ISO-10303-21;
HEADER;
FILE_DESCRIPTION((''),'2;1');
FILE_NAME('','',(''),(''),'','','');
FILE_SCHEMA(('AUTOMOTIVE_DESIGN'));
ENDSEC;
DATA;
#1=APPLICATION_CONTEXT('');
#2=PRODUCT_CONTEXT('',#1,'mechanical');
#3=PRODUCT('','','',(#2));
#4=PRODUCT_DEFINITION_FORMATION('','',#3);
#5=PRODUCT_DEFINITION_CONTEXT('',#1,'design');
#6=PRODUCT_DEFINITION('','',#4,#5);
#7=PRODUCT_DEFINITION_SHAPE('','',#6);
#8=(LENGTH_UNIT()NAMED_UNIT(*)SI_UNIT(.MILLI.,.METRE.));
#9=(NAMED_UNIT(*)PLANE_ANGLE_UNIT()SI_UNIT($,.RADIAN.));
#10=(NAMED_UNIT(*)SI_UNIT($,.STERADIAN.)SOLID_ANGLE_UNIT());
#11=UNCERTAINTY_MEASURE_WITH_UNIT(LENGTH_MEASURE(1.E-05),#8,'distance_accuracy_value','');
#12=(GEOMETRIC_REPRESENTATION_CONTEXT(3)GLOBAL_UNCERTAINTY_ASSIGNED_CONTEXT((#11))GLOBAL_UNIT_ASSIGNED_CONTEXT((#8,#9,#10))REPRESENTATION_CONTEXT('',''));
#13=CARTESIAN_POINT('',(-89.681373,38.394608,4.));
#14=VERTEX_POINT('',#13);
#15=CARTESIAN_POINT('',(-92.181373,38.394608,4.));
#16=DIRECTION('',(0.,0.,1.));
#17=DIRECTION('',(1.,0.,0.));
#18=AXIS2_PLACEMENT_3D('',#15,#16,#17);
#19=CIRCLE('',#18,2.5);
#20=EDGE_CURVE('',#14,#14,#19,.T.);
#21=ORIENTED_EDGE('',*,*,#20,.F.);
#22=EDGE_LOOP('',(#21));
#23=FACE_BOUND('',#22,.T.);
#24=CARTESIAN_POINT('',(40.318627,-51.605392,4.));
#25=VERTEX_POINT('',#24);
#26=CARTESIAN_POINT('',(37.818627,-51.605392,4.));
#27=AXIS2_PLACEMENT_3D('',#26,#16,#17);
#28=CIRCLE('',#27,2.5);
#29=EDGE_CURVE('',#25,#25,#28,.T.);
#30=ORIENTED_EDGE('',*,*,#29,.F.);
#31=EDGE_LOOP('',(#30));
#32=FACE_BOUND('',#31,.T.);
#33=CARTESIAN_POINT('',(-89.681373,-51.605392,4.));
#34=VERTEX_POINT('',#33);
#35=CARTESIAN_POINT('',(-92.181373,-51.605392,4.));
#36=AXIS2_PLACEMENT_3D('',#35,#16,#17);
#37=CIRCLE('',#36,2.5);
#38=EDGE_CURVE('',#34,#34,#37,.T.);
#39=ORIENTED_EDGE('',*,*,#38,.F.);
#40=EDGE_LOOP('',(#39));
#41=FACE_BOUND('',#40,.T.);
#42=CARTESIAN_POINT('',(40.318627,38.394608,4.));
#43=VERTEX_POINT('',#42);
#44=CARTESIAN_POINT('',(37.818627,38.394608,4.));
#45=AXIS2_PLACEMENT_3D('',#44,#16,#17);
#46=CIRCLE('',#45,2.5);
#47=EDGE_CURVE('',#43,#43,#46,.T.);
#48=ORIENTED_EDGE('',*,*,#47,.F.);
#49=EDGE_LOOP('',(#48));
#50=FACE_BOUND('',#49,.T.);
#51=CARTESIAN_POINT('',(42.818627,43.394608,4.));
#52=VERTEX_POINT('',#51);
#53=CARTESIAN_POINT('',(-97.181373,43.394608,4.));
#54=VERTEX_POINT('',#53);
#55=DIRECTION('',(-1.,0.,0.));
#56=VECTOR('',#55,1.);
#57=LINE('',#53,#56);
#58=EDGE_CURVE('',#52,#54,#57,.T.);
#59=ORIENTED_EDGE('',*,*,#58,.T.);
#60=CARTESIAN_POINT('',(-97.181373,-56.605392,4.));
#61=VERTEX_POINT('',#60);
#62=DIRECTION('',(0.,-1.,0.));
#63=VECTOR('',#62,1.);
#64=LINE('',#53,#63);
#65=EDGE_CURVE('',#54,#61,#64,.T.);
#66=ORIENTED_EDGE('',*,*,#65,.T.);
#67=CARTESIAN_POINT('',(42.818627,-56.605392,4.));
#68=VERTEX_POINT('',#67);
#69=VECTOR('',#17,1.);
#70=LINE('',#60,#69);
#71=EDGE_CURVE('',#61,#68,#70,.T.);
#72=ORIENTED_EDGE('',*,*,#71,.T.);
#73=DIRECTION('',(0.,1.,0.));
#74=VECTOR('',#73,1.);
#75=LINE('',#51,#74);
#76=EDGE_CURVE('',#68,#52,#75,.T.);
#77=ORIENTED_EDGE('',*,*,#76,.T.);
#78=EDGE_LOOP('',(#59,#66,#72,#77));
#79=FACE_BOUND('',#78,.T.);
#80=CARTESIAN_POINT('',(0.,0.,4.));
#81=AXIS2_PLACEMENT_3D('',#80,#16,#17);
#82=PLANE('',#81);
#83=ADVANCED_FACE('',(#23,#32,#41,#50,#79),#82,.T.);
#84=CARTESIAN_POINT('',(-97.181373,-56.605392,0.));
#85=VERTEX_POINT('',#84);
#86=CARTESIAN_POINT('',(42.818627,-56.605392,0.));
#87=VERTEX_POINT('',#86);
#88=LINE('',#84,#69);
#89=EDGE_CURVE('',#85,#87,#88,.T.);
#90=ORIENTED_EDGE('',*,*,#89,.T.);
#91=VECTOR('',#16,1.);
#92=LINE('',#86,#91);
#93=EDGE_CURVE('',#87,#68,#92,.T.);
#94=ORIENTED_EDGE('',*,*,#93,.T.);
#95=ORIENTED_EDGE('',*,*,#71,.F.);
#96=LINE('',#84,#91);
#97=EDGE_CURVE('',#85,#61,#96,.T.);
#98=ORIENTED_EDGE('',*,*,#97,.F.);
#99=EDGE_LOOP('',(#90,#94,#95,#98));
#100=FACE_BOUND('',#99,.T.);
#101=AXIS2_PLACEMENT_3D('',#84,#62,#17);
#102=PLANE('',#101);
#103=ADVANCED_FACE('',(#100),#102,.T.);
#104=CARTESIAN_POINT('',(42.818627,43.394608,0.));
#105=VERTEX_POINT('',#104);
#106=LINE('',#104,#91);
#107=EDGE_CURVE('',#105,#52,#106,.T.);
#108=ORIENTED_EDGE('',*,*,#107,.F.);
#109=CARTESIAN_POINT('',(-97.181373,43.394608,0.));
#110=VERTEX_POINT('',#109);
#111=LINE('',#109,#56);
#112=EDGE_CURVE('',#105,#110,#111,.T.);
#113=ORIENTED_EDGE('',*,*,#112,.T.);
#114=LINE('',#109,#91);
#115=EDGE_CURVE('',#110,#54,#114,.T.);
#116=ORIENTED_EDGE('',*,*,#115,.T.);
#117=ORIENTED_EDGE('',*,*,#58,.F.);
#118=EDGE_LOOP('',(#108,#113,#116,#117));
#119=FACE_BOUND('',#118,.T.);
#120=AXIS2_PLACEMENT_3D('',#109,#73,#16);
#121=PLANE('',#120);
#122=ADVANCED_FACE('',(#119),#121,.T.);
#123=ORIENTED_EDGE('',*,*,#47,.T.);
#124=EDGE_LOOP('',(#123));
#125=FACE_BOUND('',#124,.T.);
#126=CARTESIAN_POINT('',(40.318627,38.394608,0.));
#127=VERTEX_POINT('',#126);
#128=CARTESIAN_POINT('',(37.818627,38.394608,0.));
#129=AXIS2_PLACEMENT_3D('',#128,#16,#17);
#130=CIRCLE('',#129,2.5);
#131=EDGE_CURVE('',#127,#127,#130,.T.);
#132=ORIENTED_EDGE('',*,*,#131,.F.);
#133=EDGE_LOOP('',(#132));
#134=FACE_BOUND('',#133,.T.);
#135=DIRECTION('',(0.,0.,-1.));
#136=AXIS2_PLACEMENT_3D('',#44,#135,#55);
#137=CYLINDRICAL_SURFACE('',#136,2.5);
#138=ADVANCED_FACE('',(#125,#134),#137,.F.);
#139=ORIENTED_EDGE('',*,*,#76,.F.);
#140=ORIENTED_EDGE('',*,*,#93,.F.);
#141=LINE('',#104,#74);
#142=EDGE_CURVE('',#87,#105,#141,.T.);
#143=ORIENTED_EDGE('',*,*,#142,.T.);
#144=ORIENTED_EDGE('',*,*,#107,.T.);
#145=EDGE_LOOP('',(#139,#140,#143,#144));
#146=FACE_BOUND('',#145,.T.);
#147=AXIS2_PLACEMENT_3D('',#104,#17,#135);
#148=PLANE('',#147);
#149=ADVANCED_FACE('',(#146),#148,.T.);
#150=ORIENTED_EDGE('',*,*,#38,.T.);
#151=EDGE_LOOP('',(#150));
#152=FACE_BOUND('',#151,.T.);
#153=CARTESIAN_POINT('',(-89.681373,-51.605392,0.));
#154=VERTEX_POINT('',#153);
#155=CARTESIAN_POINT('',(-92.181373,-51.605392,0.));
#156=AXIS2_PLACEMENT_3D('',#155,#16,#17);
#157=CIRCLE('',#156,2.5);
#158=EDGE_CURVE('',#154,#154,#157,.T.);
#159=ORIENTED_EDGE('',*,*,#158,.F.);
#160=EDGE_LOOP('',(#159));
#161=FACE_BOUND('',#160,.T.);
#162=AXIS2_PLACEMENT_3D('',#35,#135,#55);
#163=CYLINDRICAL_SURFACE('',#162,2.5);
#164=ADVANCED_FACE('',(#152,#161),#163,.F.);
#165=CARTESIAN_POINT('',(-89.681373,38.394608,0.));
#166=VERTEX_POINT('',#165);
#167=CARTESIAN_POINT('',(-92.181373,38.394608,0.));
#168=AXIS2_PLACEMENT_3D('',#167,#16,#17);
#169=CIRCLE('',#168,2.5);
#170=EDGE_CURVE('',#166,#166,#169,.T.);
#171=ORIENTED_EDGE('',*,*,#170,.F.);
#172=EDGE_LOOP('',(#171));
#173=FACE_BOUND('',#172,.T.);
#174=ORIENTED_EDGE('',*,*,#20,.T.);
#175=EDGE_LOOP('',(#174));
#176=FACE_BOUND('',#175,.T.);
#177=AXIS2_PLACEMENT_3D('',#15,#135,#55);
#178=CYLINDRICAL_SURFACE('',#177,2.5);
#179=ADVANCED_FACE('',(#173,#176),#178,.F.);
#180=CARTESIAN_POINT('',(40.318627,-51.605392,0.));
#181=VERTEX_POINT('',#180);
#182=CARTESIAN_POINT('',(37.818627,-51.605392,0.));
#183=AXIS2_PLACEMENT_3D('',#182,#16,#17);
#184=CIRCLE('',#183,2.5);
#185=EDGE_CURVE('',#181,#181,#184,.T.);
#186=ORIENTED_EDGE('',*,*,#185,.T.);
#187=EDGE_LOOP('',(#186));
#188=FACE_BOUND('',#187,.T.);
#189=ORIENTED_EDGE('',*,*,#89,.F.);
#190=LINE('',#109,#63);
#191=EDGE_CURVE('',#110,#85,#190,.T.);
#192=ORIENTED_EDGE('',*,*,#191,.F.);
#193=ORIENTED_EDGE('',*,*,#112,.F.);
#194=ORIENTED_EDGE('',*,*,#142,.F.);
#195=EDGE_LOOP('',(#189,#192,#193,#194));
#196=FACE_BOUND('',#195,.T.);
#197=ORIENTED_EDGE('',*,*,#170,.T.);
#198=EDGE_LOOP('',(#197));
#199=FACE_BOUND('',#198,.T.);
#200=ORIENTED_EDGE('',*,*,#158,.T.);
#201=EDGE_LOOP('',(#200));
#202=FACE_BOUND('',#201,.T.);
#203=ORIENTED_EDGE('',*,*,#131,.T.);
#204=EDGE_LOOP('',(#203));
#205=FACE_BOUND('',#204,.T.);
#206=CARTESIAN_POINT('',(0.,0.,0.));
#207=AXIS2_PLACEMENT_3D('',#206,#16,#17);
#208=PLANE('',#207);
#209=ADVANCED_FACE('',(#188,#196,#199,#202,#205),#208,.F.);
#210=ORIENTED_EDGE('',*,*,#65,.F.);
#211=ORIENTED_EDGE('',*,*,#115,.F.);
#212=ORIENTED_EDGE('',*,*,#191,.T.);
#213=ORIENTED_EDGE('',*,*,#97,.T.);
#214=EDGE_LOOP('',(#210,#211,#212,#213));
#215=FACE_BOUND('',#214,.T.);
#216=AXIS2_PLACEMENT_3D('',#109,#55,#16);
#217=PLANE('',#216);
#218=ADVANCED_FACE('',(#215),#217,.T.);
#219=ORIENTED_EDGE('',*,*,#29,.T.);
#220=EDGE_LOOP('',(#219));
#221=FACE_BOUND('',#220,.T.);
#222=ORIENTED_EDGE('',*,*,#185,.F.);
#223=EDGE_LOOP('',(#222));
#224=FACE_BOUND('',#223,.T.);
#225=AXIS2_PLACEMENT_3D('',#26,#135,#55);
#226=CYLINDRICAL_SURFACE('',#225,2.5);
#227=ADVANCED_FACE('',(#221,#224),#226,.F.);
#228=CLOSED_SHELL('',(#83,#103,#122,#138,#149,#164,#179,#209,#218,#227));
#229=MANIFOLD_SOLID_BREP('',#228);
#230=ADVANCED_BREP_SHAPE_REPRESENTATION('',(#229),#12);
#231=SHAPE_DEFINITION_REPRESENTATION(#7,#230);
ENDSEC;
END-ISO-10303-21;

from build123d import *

# Parameters (mm, degrees)
SKETCH1_W           = 142
SKETCH1_H           = 102
SKETCH1_R           = 2.5
BOSS_EXTRUDE1_DEPTH = 4
SKETCH2_W           = 142
SKETCH2_H           = 102
SKETCH2_W_2         = 140
SKETCH2_H_2         = 100
CUT_EXTRUDE1_DEPTH  = 5


with BuildPart() as part:
    # Sketch1 → Boss-Extrude1 (new body)
    with BuildSketch(Plane.XY):
        with Locations((-27.181372549, -6.605392157)):
            Rectangle(SKETCH1_W, SKETCH1_H)
        with Locations((-92.181372549, 38.394607843)):
            Circle(SKETCH1_R, mode=Mode.SUBTRACT)
        with Locations((37.818627451, 38.394607843)):
            Circle(SKETCH1_R, mode=Mode.SUBTRACT)
        with Locations((37.818627451, -51.605392157)):
            Circle(SKETCH1_R, mode=Mode.SUBTRACT)
        with Locations((-92.181372549, -51.605392157)):
            Circle(SKETCH1_R, mode=Mode.SUBTRACT)
    extrude(amount=BOSS_EXTRUDE1_DEPTH)

    # Sketch2 → Cut-Extrude1 (cut, through all)
    with BuildSketch(Plane.XY.offset(4)):
        with Locations((-27.181372549, -6.605392157)):
            Rectangle(SKETCH2_W, SKETCH2_H)
        with Locations((-27.181372549, -6.605392157)):
            Rectangle(SKETCH2_W_2, SKETCH2_H_2, mode=Mode.SUBTRACT)
    extrude(amount=-CUT_EXTRUDE1_DEPTH, mode=Mode.SUBTRACT)


solid = part.part
